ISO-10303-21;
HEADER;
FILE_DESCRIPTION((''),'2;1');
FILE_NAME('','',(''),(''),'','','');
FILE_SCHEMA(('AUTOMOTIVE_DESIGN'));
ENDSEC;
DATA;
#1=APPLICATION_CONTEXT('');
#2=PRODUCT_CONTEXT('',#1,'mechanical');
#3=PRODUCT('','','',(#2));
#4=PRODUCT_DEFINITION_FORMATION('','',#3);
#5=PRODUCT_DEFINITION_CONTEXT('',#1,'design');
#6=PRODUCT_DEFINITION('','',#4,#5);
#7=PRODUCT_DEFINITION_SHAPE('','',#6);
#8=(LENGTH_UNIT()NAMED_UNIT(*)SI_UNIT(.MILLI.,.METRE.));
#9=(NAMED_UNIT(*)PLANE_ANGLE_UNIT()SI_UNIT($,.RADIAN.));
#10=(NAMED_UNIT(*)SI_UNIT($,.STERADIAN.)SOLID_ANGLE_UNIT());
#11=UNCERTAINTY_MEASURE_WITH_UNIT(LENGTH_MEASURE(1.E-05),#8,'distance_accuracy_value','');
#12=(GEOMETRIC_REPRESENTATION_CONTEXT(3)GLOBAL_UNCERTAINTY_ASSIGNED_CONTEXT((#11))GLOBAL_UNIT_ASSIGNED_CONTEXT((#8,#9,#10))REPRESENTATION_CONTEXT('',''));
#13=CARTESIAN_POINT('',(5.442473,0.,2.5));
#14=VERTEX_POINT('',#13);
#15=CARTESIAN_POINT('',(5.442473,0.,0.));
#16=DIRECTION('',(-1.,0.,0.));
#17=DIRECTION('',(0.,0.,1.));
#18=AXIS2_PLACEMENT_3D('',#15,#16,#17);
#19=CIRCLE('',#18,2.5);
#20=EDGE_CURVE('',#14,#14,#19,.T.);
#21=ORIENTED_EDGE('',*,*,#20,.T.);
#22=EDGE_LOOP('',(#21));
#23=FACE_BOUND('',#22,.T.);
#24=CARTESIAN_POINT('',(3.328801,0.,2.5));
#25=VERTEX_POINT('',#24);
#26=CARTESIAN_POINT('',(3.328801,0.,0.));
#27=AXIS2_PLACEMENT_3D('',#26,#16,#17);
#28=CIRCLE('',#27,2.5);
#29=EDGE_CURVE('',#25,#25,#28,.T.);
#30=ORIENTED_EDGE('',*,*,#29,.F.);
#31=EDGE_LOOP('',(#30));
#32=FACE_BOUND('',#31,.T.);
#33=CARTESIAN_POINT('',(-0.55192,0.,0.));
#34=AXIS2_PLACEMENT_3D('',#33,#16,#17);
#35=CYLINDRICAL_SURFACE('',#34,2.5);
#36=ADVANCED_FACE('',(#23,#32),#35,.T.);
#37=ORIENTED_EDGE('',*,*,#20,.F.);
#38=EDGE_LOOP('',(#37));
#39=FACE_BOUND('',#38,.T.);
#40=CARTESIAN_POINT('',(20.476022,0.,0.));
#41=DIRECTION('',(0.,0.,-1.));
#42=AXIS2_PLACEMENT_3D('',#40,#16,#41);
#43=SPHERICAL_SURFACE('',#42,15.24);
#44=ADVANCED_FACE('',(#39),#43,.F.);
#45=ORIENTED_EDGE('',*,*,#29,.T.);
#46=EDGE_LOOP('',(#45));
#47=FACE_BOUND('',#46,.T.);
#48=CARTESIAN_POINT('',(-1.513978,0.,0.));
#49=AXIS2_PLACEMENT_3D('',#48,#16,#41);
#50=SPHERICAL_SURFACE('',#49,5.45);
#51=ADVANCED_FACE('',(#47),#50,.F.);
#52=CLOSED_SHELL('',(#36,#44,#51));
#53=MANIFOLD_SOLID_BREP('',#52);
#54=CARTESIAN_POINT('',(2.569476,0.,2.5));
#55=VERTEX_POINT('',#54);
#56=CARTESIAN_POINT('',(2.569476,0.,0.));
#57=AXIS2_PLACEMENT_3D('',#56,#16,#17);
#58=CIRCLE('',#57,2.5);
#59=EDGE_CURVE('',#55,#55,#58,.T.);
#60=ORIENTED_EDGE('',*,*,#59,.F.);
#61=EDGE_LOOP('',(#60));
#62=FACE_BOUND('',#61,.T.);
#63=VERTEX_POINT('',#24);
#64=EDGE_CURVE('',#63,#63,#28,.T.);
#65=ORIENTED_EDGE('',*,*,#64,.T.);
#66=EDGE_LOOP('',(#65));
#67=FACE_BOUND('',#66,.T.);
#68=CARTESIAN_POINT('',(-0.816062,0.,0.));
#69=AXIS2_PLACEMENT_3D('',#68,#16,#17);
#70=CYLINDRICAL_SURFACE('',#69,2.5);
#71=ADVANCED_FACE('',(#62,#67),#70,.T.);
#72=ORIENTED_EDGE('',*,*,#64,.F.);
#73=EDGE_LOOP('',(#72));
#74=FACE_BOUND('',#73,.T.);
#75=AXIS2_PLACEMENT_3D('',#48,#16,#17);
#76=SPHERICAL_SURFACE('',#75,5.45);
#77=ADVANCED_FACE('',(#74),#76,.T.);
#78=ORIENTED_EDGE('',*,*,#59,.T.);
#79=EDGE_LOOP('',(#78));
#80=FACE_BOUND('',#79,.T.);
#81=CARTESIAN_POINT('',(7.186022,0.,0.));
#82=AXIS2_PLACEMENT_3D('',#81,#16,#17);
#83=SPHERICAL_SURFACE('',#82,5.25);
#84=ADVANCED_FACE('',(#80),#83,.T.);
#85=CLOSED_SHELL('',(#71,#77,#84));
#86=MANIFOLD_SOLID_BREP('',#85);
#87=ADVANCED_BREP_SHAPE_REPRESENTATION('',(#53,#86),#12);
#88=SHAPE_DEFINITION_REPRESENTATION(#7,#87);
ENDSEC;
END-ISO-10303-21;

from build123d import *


with BuildPart() as part:
    # 草图1 one side → 旋转1 (revolve)
    with BuildSketch(Plane(origin=(0, 0, 0), x_dir=(1, 0, 0), z_dir=(0, 1, 0)), mode=Mode.PRIVATE) as revolve_1_sk:
        with BuildLine():
            ThreePointArc((2.569476157, 2.5), (2.09684926, 1.289502186), (1.936022485, 0))
            Line((1.936022485, 0), (3.936022485, 0))
            ThreePointArc((3.936022485, 0), (3.782041782, 1.2863435), (3.328800613, 2.5))
            Line((3.328800613, 2.5), (2.569476157, 2.5))
        make_face()
    revolve(revolve_1_sk.sketch.rotate(Axis((-0.816062176, 0, 0), (1, 0, 0)), 180), axis=Axis((-0.816062176, 0, 0), (1, 0, 0)))  # turned: the seam where the file's is


with BuildPart() as body_2:
    # 草图2 one side → 旋转2 (revolve)
    with BuildSketch(Plane(origin=(0, 0, 0), x_dir=(1, 0, 0), z_dir=(0, 1, 0)), mode=Mode.PRIVATE) as revolve_2_sk:
        with BuildLine():
            Line((5.442473336, 2.5), (3.328800613, 2.5))
            ThreePointArc((3.328800613, 2.5), (3.782041782, 1.2863435), (3.936022485, 0))
            Line((3.936022485, 0), (5.236022485, 0))
            ThreePointArc((5.236022485, 0), (5.287722892, 1.254254954), (5.442473336, 2.5))
        make_face()
    revolve(revolve_2_sk.sketch.rotate(Axis((-0.551919993, 0, 0), (1, 0, 0)), 180), axis=Axis((-0.551919993, 0, 0), (1, 0, 0)))  # turned: the seam where the file's is


solid = Compound([part.part, body_2.part])
